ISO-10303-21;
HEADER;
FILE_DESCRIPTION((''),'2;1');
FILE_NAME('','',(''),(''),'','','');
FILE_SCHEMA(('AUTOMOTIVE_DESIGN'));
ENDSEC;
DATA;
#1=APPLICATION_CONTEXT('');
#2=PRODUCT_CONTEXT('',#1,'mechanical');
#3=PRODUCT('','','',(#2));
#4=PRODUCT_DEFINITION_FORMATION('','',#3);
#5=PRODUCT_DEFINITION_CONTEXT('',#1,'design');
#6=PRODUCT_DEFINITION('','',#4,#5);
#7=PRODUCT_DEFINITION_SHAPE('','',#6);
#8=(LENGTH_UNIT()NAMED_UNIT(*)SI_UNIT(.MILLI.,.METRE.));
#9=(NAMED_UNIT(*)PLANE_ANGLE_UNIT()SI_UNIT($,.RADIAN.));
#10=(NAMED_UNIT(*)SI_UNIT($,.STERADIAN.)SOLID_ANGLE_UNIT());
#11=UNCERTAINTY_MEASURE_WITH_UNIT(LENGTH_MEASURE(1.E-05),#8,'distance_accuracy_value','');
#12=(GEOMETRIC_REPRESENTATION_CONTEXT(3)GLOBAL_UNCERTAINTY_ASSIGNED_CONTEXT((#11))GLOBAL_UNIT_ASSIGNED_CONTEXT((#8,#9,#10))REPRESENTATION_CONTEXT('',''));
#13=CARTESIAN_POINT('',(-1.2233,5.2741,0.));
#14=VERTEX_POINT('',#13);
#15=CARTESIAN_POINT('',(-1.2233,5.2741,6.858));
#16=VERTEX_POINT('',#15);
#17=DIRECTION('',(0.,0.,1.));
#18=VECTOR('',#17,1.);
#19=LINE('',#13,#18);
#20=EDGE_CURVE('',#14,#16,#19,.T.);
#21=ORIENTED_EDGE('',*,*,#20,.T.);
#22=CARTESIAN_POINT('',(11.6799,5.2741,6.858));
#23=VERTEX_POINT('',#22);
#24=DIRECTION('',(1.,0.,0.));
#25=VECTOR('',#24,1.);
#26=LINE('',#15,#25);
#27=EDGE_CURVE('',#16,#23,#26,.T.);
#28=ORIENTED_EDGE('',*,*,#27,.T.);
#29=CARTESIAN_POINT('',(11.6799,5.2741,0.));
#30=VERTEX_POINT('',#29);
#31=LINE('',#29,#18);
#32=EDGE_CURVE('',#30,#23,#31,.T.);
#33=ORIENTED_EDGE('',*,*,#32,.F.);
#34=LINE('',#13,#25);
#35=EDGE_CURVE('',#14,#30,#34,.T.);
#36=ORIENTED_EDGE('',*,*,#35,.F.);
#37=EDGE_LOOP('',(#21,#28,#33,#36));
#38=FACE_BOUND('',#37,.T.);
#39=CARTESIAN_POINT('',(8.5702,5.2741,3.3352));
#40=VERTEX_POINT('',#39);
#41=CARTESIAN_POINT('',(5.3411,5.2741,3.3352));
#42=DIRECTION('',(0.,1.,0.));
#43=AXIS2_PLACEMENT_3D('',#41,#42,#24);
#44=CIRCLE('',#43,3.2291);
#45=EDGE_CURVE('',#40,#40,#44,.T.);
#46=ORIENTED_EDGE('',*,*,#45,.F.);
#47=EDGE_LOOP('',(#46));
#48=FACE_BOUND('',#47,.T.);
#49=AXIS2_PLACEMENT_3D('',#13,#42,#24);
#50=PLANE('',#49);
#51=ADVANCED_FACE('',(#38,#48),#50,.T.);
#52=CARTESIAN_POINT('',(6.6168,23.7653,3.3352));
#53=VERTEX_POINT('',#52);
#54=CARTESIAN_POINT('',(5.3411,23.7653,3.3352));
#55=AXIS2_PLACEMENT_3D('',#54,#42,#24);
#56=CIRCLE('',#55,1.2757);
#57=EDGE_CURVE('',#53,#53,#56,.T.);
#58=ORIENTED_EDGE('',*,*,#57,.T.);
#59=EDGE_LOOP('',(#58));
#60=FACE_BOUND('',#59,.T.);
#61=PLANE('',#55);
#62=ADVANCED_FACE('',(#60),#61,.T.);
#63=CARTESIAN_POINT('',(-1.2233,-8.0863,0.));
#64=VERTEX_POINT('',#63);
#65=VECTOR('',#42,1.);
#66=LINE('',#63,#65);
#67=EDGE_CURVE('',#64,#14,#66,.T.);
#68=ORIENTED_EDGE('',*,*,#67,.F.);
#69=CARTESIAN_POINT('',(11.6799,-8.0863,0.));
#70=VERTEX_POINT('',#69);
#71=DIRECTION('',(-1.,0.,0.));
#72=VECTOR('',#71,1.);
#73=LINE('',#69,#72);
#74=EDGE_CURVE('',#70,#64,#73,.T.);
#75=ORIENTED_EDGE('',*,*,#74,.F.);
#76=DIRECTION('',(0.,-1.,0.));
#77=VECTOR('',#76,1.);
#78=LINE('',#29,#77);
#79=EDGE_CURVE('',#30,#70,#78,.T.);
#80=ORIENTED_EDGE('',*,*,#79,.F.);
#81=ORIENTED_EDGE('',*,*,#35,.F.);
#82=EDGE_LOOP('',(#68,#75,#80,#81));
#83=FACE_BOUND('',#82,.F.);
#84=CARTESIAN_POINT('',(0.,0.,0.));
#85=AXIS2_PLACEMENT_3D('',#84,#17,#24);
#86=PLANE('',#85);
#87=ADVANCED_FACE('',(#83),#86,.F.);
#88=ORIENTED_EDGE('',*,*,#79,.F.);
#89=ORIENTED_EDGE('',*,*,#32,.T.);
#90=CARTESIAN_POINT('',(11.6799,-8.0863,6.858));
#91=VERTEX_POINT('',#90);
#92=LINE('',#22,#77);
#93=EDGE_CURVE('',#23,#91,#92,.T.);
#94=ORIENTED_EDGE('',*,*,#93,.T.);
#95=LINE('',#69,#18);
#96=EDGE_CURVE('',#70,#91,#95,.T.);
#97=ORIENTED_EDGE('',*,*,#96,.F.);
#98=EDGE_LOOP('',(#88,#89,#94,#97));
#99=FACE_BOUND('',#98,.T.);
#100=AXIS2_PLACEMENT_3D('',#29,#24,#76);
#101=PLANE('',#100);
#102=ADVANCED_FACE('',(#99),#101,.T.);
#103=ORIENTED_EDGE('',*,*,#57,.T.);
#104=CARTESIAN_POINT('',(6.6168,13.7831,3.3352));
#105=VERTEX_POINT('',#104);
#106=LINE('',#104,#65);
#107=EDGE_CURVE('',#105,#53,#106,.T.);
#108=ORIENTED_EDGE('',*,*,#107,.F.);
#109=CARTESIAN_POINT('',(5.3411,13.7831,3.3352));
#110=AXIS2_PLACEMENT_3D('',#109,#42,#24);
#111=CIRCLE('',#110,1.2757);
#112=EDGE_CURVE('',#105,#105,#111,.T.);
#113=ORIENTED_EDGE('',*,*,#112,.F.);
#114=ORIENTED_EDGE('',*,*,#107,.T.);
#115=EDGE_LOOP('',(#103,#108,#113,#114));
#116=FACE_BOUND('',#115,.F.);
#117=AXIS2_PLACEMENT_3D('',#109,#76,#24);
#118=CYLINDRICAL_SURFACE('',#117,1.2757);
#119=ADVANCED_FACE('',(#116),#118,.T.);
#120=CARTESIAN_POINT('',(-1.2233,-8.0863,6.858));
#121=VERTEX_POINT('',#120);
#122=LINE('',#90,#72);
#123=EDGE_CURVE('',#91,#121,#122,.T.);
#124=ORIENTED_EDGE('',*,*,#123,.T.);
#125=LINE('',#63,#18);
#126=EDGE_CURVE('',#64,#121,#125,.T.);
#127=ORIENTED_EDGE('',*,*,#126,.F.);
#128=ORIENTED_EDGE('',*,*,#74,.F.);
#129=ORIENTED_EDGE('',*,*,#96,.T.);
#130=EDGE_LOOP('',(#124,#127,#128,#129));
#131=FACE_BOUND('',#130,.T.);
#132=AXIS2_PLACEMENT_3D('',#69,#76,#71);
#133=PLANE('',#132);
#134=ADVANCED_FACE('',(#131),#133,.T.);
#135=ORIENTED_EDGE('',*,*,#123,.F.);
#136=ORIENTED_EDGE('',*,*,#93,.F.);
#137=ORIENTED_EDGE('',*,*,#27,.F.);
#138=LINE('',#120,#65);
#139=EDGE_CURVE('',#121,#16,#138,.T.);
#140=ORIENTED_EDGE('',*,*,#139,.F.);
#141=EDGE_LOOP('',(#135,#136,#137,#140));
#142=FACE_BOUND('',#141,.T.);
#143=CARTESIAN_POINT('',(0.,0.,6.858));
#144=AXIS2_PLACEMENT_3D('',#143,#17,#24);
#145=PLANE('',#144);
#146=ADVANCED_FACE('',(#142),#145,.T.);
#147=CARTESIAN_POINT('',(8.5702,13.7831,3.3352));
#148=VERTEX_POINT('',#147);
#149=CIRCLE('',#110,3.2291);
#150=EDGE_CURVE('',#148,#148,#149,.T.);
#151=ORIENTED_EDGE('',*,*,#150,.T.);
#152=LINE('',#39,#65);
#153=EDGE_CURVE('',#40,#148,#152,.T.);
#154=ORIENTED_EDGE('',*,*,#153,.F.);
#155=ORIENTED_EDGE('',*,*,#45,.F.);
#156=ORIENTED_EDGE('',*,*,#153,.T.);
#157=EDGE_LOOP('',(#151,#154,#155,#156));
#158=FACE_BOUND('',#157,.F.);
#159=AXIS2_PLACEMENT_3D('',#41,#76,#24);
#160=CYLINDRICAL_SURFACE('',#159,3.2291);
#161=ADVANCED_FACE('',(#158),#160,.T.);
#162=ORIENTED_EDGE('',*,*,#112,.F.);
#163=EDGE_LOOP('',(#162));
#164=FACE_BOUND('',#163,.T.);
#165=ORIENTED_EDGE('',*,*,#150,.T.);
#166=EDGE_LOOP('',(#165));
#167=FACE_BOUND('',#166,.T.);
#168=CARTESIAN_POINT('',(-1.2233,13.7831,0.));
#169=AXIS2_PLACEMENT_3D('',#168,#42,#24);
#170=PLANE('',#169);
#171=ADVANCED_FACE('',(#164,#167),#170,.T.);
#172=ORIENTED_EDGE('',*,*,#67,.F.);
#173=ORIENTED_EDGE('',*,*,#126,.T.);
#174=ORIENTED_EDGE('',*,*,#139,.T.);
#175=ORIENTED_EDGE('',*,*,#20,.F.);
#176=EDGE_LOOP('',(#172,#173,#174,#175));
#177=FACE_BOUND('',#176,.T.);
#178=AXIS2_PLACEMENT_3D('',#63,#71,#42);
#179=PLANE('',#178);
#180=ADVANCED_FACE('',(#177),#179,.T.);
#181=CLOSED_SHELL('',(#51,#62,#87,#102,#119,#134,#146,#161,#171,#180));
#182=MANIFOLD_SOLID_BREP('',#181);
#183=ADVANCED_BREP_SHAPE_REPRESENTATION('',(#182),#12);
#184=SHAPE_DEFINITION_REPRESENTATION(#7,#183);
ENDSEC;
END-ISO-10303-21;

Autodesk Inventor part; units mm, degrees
ref_plane "YZ Plane" through (0, 0, 0) normal (1, 0, 0) x (0, 1, 0)
ref_plane "XZ Plane" through (0, 0, 0) normal (0, 1, 0) x (-1, 0, 0)
ref_plane "XY Plane" through (0, 0, 0) normal (0, 0, 1) x (1, 0, 0)
sketch "Sketch1" plane through (0, 0, 0) normal (0, 0, 1) x (1, 0, 0)
  line L0 (-1.2233, 5.2741) -> (11.6799, 5.2741)
  line L1 (11.6799, 5.2741) -> (11.6799, -8.0863)
  line L2 (11.6799, -8.0863) -> (-1.2233, -8.0863)
  line L3 (-1.2233, -8.0863) -> (-1.2233, 5.2741)
  point P0 (0, 0)
  dimension "d0" = 12.9032
  dimension "d1" = 13.3604
extrude "Extrusion1" add sketch "Sketch1" along normal blind 6.858
sketch "Sketch2" plane through (-1.2233, 5.2741, 0) normal (0, 1, 0) x (1, 0, 0)
  circle A0 centre (6.5644, -3.3352) radius 3.2291
  line L0 (12.9032, 0) -> (12.9032, -6.858) projected
  point P0 (1.2233, 0)
  dimension "d4" = 6.3388
extrude "Extrusion2" add sketch "Sketch2" along normal blind 8.509
sketch "Sketch3" plane through (5.3411, 13.7831, 3.3352) normal (0, 1, 0) x (1, 0, 0)
  circle A0 centre (0, 0) radius 1.2757
  point P0 (-5.3411, 3.3352)
extrude "Extrusion3" add sketch "Sketch3" along normal blind 9.9822
properties part number "RTS Switch"
